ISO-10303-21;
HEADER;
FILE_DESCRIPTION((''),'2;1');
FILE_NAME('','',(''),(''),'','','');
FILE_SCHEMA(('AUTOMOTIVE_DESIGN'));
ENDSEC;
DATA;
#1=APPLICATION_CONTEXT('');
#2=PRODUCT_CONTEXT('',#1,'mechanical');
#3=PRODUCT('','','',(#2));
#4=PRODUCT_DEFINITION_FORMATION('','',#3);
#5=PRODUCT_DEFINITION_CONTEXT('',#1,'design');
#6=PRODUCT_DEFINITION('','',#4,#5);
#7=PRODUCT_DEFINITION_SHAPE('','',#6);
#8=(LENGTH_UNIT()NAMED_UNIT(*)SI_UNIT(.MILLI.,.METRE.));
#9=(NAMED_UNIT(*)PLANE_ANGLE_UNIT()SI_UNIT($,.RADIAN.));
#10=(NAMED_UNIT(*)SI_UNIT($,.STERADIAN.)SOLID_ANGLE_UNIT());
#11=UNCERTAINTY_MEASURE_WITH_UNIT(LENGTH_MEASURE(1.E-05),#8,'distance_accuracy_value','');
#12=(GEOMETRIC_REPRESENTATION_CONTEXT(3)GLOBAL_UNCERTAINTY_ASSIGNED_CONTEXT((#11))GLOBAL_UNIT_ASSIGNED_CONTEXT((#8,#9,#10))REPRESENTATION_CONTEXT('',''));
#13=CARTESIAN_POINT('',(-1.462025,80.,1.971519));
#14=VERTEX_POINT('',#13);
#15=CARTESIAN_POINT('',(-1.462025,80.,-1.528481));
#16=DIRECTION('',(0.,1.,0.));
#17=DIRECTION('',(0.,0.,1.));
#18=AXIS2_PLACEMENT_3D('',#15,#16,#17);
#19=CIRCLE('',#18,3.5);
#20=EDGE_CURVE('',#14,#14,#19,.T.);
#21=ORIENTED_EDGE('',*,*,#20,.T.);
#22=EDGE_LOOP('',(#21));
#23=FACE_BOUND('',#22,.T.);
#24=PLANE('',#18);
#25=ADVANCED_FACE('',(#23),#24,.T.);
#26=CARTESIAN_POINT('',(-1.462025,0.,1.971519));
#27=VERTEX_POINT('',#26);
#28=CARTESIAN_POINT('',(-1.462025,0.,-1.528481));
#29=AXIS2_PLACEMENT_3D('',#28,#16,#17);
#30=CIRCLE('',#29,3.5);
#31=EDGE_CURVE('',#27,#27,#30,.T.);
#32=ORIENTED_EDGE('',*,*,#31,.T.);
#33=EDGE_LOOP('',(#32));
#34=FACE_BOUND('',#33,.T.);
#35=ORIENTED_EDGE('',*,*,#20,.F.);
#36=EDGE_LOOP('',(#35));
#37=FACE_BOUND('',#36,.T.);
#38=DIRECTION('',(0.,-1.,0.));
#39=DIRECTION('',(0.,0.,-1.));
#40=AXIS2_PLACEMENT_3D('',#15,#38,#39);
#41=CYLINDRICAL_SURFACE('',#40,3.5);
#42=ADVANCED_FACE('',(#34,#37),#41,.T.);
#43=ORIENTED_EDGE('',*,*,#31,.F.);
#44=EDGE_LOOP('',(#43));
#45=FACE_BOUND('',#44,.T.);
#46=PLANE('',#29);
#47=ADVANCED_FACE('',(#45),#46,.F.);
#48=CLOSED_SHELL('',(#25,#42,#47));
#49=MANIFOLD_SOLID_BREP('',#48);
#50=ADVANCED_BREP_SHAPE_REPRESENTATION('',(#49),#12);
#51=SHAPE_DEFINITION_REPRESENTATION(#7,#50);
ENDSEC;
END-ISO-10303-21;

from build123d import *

# Parameters (mm, degrees)
SKETCH_1_R      = 3.5
EXTRUDE_1_DEPTH = 80


with BuildPart() as part:
    # Эскиз1 → Бобышка-Вытянуть1 (new body)
    with BuildSketch(Plane(origin=(0, 0, 0), x_dir=(1, 0, 0), z_dir=(0, 1, 0))):
        with Locations((-1.462025316, 1.528481013)):
            Circle(SKETCH_1_R)
    extrude(amount=EXTRUDE_1_DEPTH)


solid = part.part
